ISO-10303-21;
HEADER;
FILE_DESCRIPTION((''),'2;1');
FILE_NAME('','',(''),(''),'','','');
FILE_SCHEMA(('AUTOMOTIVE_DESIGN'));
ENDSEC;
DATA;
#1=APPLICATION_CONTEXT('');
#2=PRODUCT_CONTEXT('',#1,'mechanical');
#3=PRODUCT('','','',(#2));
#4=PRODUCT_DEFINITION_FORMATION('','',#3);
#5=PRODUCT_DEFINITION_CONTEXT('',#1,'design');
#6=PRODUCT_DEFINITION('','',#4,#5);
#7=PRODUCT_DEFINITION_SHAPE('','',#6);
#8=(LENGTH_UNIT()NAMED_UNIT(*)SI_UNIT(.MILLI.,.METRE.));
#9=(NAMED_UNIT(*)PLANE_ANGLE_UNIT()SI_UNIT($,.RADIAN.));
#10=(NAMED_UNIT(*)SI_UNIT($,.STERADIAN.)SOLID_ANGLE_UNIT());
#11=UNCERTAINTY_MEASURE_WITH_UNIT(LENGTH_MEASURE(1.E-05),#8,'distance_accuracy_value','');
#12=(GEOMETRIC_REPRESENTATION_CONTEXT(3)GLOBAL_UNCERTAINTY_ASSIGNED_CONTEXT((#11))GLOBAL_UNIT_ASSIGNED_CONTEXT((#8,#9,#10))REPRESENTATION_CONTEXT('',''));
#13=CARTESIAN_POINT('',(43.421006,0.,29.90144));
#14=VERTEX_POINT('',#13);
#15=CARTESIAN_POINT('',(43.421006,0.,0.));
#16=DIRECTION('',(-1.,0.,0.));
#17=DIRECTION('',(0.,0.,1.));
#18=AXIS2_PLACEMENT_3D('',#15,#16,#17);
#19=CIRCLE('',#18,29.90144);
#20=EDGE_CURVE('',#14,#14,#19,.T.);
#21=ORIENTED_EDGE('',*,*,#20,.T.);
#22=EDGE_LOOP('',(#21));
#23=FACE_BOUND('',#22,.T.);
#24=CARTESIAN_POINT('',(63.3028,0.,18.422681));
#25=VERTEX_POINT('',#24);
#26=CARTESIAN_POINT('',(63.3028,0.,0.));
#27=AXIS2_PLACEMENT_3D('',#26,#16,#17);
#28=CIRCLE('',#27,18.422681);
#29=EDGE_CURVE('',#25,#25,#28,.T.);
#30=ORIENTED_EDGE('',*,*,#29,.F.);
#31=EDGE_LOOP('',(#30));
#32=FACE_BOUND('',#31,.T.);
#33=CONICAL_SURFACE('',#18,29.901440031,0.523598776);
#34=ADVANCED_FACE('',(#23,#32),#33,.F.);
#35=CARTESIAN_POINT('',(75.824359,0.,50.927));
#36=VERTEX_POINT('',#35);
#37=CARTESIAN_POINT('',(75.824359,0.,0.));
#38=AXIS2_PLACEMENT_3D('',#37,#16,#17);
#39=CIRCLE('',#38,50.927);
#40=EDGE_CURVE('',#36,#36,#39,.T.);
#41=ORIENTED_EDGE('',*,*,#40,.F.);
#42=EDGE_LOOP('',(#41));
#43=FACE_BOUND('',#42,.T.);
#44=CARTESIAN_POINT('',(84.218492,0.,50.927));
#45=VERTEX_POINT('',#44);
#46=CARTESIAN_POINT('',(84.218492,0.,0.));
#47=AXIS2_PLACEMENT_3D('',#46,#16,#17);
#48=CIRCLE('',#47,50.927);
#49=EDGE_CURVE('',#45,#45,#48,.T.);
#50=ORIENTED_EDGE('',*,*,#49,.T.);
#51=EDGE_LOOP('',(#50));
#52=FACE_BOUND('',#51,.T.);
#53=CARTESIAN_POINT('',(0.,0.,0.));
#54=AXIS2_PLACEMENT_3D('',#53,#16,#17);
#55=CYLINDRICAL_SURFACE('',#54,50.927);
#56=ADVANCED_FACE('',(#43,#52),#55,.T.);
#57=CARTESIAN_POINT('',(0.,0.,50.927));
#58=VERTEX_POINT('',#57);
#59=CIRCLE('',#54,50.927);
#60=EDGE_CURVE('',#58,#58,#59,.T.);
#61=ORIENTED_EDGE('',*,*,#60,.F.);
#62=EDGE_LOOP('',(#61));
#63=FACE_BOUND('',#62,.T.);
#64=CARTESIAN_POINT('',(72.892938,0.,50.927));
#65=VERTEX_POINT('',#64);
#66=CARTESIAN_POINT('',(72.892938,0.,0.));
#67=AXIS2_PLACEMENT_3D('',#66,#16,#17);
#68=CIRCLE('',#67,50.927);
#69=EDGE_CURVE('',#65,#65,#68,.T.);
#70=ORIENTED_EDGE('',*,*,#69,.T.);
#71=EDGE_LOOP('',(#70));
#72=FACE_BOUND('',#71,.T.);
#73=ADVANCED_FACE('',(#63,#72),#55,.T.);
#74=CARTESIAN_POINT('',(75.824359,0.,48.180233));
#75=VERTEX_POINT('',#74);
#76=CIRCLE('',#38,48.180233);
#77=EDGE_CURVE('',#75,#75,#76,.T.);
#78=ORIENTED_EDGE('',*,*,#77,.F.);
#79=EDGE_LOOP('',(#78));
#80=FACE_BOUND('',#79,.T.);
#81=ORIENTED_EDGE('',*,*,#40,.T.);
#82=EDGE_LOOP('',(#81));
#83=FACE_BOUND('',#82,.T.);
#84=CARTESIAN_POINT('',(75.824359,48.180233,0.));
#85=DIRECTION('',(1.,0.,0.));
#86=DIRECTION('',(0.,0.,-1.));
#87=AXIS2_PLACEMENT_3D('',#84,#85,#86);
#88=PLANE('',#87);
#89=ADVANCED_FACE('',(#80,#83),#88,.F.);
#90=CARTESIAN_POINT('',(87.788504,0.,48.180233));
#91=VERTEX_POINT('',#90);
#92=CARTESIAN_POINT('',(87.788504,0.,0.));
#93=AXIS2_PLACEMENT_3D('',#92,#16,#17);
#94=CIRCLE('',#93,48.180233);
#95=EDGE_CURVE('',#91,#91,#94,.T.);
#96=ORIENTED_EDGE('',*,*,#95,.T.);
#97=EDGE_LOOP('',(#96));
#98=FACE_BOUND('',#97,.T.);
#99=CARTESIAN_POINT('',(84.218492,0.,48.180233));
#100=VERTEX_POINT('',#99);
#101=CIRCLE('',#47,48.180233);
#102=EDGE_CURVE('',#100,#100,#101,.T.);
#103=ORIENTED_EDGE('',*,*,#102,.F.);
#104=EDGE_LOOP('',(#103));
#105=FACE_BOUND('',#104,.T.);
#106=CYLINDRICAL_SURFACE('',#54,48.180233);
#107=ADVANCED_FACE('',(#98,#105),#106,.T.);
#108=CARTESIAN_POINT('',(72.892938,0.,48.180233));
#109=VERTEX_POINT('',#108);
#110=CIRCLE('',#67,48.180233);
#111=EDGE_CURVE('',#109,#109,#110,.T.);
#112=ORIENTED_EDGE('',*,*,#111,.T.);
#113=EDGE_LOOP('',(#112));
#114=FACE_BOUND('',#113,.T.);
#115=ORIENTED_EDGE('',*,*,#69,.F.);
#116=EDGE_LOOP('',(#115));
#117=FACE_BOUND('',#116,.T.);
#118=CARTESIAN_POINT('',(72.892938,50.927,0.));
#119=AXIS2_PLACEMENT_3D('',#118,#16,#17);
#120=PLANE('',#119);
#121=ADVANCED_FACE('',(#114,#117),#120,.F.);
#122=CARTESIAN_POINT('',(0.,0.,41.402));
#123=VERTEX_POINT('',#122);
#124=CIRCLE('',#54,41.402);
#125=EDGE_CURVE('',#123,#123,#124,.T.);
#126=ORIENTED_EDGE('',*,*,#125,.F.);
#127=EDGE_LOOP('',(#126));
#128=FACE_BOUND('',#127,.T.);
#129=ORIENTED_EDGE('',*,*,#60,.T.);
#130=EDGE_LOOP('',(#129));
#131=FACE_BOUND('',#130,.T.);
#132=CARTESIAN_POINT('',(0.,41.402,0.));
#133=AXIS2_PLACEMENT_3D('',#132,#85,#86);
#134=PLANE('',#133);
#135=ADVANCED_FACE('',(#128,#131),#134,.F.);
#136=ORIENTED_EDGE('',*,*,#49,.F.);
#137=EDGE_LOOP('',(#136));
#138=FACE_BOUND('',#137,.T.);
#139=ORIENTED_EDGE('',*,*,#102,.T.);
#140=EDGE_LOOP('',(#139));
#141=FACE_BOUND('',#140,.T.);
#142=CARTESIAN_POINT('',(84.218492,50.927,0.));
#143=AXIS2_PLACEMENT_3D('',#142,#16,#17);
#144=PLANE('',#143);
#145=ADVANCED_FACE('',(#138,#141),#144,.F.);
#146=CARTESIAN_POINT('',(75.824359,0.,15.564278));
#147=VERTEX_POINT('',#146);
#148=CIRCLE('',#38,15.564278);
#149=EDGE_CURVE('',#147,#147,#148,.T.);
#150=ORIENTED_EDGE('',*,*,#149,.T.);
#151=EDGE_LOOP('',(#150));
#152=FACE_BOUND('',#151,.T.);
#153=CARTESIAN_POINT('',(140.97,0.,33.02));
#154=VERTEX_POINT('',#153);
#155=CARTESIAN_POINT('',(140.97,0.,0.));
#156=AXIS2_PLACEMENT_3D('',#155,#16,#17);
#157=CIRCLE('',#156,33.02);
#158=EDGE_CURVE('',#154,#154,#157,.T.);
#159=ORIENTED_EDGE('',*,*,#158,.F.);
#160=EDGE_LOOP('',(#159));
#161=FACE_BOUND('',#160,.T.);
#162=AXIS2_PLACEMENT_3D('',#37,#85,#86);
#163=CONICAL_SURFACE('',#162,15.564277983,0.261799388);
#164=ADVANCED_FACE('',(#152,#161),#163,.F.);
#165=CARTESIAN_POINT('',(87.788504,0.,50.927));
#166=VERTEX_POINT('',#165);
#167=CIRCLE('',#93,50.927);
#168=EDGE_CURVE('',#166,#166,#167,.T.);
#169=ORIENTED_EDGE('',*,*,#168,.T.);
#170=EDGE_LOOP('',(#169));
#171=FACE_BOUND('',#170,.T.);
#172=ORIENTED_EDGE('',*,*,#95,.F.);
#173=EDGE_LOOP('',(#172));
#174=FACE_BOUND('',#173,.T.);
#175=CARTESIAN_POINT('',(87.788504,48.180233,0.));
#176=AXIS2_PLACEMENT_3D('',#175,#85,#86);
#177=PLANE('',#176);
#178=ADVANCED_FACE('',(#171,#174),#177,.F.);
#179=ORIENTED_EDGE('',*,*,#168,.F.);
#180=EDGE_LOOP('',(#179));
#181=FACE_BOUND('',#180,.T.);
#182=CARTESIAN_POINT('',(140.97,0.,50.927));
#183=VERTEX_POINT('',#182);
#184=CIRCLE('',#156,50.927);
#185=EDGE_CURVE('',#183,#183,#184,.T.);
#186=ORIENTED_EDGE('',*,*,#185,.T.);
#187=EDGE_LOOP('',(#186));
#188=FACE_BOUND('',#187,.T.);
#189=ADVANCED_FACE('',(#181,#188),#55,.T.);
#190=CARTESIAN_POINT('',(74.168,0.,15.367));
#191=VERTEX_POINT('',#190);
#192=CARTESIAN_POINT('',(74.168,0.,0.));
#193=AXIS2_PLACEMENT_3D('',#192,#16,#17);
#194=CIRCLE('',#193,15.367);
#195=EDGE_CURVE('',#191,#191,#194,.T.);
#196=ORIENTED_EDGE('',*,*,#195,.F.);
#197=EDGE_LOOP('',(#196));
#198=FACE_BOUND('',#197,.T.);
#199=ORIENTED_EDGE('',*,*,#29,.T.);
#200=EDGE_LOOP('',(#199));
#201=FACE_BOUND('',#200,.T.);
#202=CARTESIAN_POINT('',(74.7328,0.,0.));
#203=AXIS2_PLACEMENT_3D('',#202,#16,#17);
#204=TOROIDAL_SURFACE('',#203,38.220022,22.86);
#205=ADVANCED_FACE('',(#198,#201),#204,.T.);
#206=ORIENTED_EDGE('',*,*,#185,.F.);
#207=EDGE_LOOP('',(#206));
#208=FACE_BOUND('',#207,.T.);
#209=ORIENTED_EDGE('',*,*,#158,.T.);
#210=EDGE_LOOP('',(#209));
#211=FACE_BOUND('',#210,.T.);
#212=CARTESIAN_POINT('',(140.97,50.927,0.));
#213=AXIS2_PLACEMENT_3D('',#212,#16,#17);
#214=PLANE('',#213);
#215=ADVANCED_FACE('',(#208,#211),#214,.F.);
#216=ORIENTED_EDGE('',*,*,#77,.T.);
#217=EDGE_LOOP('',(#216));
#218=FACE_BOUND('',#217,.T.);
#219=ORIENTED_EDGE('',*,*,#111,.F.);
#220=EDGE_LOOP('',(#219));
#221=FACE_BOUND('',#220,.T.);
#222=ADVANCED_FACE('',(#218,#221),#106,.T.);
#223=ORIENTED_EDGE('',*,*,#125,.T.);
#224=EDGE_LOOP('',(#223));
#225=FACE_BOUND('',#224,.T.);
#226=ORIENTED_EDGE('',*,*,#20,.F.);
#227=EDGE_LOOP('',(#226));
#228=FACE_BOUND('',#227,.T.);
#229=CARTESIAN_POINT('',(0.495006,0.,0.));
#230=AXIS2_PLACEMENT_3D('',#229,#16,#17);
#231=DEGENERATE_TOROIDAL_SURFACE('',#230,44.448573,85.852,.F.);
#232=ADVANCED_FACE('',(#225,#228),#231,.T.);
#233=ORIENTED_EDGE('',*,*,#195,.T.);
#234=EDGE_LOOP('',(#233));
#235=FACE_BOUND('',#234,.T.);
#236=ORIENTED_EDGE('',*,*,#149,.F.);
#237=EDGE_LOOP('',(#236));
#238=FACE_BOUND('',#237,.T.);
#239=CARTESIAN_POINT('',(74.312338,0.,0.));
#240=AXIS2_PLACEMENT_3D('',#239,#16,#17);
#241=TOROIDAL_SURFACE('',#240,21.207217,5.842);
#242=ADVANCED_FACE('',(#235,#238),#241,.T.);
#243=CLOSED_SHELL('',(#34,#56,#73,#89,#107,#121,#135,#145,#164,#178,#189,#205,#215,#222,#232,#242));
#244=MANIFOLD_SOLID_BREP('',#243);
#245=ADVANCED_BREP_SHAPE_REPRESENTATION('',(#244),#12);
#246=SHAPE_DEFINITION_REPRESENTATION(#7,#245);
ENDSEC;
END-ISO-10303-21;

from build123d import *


with BuildPart() as part:
    # Sketch1 → Revolve1 (revolve)
    with BuildSketch(Plane.XY, mode=Mode.PRIVATE) as revolve1_sk:
        with BuildLine():
            Line((43.421005762, 29.901440031), (63.302799643, 18.422680981))
            ThreePointArc((63.302799643, 18.422680981), (68.543849717, 16.213738545), (74.168, 15.367))
            ThreePointArc((74.168, 15.367), (75.003256616, 15.406217174), (75.824358548, 15.564277983))
            Line((75.824358548, 15.564277983), (140.97, 33.02))
            Line((140.97, 33.02), (140.97, 50.927))
            Line((140.97, 50.927), (87.788503876, 50.927))
            Line((87.788503876, 50.927), (87.788503876, 48.180233369))
            Line((87.788503876, 48.180233369), (84.218492297, 48.180233369))
            Line((84.218492297, 48.180233369), (84.218492297, 50.927))
            Line((84.218492297, 50.927), (75.824358548, 50.927))
            Line((75.824358548, 50.927), (75.824358548, 48.180233369))
            Line((75.824358548, 48.180233369), (72.892938323, 48.180233369))
            Line((72.892938323, 48.180233369), (72.892938323, 50.927))
            Line((72.892938323, 50.927), (0, 50.927))
            Line((0, 50.927), (0, 41.402))
            ThreePointArc((0, 41.402), (22.475975666, 38.541805218), (43.421005762, 29.901440031))
        make_face()
    revolve(revolve1_sk.sketch.rotate(Axis((0, 0, 0), (1, 0, 0)), 90), axis=Axis((0, 0, 0), (1, 0, 0)))


solid = part.part
